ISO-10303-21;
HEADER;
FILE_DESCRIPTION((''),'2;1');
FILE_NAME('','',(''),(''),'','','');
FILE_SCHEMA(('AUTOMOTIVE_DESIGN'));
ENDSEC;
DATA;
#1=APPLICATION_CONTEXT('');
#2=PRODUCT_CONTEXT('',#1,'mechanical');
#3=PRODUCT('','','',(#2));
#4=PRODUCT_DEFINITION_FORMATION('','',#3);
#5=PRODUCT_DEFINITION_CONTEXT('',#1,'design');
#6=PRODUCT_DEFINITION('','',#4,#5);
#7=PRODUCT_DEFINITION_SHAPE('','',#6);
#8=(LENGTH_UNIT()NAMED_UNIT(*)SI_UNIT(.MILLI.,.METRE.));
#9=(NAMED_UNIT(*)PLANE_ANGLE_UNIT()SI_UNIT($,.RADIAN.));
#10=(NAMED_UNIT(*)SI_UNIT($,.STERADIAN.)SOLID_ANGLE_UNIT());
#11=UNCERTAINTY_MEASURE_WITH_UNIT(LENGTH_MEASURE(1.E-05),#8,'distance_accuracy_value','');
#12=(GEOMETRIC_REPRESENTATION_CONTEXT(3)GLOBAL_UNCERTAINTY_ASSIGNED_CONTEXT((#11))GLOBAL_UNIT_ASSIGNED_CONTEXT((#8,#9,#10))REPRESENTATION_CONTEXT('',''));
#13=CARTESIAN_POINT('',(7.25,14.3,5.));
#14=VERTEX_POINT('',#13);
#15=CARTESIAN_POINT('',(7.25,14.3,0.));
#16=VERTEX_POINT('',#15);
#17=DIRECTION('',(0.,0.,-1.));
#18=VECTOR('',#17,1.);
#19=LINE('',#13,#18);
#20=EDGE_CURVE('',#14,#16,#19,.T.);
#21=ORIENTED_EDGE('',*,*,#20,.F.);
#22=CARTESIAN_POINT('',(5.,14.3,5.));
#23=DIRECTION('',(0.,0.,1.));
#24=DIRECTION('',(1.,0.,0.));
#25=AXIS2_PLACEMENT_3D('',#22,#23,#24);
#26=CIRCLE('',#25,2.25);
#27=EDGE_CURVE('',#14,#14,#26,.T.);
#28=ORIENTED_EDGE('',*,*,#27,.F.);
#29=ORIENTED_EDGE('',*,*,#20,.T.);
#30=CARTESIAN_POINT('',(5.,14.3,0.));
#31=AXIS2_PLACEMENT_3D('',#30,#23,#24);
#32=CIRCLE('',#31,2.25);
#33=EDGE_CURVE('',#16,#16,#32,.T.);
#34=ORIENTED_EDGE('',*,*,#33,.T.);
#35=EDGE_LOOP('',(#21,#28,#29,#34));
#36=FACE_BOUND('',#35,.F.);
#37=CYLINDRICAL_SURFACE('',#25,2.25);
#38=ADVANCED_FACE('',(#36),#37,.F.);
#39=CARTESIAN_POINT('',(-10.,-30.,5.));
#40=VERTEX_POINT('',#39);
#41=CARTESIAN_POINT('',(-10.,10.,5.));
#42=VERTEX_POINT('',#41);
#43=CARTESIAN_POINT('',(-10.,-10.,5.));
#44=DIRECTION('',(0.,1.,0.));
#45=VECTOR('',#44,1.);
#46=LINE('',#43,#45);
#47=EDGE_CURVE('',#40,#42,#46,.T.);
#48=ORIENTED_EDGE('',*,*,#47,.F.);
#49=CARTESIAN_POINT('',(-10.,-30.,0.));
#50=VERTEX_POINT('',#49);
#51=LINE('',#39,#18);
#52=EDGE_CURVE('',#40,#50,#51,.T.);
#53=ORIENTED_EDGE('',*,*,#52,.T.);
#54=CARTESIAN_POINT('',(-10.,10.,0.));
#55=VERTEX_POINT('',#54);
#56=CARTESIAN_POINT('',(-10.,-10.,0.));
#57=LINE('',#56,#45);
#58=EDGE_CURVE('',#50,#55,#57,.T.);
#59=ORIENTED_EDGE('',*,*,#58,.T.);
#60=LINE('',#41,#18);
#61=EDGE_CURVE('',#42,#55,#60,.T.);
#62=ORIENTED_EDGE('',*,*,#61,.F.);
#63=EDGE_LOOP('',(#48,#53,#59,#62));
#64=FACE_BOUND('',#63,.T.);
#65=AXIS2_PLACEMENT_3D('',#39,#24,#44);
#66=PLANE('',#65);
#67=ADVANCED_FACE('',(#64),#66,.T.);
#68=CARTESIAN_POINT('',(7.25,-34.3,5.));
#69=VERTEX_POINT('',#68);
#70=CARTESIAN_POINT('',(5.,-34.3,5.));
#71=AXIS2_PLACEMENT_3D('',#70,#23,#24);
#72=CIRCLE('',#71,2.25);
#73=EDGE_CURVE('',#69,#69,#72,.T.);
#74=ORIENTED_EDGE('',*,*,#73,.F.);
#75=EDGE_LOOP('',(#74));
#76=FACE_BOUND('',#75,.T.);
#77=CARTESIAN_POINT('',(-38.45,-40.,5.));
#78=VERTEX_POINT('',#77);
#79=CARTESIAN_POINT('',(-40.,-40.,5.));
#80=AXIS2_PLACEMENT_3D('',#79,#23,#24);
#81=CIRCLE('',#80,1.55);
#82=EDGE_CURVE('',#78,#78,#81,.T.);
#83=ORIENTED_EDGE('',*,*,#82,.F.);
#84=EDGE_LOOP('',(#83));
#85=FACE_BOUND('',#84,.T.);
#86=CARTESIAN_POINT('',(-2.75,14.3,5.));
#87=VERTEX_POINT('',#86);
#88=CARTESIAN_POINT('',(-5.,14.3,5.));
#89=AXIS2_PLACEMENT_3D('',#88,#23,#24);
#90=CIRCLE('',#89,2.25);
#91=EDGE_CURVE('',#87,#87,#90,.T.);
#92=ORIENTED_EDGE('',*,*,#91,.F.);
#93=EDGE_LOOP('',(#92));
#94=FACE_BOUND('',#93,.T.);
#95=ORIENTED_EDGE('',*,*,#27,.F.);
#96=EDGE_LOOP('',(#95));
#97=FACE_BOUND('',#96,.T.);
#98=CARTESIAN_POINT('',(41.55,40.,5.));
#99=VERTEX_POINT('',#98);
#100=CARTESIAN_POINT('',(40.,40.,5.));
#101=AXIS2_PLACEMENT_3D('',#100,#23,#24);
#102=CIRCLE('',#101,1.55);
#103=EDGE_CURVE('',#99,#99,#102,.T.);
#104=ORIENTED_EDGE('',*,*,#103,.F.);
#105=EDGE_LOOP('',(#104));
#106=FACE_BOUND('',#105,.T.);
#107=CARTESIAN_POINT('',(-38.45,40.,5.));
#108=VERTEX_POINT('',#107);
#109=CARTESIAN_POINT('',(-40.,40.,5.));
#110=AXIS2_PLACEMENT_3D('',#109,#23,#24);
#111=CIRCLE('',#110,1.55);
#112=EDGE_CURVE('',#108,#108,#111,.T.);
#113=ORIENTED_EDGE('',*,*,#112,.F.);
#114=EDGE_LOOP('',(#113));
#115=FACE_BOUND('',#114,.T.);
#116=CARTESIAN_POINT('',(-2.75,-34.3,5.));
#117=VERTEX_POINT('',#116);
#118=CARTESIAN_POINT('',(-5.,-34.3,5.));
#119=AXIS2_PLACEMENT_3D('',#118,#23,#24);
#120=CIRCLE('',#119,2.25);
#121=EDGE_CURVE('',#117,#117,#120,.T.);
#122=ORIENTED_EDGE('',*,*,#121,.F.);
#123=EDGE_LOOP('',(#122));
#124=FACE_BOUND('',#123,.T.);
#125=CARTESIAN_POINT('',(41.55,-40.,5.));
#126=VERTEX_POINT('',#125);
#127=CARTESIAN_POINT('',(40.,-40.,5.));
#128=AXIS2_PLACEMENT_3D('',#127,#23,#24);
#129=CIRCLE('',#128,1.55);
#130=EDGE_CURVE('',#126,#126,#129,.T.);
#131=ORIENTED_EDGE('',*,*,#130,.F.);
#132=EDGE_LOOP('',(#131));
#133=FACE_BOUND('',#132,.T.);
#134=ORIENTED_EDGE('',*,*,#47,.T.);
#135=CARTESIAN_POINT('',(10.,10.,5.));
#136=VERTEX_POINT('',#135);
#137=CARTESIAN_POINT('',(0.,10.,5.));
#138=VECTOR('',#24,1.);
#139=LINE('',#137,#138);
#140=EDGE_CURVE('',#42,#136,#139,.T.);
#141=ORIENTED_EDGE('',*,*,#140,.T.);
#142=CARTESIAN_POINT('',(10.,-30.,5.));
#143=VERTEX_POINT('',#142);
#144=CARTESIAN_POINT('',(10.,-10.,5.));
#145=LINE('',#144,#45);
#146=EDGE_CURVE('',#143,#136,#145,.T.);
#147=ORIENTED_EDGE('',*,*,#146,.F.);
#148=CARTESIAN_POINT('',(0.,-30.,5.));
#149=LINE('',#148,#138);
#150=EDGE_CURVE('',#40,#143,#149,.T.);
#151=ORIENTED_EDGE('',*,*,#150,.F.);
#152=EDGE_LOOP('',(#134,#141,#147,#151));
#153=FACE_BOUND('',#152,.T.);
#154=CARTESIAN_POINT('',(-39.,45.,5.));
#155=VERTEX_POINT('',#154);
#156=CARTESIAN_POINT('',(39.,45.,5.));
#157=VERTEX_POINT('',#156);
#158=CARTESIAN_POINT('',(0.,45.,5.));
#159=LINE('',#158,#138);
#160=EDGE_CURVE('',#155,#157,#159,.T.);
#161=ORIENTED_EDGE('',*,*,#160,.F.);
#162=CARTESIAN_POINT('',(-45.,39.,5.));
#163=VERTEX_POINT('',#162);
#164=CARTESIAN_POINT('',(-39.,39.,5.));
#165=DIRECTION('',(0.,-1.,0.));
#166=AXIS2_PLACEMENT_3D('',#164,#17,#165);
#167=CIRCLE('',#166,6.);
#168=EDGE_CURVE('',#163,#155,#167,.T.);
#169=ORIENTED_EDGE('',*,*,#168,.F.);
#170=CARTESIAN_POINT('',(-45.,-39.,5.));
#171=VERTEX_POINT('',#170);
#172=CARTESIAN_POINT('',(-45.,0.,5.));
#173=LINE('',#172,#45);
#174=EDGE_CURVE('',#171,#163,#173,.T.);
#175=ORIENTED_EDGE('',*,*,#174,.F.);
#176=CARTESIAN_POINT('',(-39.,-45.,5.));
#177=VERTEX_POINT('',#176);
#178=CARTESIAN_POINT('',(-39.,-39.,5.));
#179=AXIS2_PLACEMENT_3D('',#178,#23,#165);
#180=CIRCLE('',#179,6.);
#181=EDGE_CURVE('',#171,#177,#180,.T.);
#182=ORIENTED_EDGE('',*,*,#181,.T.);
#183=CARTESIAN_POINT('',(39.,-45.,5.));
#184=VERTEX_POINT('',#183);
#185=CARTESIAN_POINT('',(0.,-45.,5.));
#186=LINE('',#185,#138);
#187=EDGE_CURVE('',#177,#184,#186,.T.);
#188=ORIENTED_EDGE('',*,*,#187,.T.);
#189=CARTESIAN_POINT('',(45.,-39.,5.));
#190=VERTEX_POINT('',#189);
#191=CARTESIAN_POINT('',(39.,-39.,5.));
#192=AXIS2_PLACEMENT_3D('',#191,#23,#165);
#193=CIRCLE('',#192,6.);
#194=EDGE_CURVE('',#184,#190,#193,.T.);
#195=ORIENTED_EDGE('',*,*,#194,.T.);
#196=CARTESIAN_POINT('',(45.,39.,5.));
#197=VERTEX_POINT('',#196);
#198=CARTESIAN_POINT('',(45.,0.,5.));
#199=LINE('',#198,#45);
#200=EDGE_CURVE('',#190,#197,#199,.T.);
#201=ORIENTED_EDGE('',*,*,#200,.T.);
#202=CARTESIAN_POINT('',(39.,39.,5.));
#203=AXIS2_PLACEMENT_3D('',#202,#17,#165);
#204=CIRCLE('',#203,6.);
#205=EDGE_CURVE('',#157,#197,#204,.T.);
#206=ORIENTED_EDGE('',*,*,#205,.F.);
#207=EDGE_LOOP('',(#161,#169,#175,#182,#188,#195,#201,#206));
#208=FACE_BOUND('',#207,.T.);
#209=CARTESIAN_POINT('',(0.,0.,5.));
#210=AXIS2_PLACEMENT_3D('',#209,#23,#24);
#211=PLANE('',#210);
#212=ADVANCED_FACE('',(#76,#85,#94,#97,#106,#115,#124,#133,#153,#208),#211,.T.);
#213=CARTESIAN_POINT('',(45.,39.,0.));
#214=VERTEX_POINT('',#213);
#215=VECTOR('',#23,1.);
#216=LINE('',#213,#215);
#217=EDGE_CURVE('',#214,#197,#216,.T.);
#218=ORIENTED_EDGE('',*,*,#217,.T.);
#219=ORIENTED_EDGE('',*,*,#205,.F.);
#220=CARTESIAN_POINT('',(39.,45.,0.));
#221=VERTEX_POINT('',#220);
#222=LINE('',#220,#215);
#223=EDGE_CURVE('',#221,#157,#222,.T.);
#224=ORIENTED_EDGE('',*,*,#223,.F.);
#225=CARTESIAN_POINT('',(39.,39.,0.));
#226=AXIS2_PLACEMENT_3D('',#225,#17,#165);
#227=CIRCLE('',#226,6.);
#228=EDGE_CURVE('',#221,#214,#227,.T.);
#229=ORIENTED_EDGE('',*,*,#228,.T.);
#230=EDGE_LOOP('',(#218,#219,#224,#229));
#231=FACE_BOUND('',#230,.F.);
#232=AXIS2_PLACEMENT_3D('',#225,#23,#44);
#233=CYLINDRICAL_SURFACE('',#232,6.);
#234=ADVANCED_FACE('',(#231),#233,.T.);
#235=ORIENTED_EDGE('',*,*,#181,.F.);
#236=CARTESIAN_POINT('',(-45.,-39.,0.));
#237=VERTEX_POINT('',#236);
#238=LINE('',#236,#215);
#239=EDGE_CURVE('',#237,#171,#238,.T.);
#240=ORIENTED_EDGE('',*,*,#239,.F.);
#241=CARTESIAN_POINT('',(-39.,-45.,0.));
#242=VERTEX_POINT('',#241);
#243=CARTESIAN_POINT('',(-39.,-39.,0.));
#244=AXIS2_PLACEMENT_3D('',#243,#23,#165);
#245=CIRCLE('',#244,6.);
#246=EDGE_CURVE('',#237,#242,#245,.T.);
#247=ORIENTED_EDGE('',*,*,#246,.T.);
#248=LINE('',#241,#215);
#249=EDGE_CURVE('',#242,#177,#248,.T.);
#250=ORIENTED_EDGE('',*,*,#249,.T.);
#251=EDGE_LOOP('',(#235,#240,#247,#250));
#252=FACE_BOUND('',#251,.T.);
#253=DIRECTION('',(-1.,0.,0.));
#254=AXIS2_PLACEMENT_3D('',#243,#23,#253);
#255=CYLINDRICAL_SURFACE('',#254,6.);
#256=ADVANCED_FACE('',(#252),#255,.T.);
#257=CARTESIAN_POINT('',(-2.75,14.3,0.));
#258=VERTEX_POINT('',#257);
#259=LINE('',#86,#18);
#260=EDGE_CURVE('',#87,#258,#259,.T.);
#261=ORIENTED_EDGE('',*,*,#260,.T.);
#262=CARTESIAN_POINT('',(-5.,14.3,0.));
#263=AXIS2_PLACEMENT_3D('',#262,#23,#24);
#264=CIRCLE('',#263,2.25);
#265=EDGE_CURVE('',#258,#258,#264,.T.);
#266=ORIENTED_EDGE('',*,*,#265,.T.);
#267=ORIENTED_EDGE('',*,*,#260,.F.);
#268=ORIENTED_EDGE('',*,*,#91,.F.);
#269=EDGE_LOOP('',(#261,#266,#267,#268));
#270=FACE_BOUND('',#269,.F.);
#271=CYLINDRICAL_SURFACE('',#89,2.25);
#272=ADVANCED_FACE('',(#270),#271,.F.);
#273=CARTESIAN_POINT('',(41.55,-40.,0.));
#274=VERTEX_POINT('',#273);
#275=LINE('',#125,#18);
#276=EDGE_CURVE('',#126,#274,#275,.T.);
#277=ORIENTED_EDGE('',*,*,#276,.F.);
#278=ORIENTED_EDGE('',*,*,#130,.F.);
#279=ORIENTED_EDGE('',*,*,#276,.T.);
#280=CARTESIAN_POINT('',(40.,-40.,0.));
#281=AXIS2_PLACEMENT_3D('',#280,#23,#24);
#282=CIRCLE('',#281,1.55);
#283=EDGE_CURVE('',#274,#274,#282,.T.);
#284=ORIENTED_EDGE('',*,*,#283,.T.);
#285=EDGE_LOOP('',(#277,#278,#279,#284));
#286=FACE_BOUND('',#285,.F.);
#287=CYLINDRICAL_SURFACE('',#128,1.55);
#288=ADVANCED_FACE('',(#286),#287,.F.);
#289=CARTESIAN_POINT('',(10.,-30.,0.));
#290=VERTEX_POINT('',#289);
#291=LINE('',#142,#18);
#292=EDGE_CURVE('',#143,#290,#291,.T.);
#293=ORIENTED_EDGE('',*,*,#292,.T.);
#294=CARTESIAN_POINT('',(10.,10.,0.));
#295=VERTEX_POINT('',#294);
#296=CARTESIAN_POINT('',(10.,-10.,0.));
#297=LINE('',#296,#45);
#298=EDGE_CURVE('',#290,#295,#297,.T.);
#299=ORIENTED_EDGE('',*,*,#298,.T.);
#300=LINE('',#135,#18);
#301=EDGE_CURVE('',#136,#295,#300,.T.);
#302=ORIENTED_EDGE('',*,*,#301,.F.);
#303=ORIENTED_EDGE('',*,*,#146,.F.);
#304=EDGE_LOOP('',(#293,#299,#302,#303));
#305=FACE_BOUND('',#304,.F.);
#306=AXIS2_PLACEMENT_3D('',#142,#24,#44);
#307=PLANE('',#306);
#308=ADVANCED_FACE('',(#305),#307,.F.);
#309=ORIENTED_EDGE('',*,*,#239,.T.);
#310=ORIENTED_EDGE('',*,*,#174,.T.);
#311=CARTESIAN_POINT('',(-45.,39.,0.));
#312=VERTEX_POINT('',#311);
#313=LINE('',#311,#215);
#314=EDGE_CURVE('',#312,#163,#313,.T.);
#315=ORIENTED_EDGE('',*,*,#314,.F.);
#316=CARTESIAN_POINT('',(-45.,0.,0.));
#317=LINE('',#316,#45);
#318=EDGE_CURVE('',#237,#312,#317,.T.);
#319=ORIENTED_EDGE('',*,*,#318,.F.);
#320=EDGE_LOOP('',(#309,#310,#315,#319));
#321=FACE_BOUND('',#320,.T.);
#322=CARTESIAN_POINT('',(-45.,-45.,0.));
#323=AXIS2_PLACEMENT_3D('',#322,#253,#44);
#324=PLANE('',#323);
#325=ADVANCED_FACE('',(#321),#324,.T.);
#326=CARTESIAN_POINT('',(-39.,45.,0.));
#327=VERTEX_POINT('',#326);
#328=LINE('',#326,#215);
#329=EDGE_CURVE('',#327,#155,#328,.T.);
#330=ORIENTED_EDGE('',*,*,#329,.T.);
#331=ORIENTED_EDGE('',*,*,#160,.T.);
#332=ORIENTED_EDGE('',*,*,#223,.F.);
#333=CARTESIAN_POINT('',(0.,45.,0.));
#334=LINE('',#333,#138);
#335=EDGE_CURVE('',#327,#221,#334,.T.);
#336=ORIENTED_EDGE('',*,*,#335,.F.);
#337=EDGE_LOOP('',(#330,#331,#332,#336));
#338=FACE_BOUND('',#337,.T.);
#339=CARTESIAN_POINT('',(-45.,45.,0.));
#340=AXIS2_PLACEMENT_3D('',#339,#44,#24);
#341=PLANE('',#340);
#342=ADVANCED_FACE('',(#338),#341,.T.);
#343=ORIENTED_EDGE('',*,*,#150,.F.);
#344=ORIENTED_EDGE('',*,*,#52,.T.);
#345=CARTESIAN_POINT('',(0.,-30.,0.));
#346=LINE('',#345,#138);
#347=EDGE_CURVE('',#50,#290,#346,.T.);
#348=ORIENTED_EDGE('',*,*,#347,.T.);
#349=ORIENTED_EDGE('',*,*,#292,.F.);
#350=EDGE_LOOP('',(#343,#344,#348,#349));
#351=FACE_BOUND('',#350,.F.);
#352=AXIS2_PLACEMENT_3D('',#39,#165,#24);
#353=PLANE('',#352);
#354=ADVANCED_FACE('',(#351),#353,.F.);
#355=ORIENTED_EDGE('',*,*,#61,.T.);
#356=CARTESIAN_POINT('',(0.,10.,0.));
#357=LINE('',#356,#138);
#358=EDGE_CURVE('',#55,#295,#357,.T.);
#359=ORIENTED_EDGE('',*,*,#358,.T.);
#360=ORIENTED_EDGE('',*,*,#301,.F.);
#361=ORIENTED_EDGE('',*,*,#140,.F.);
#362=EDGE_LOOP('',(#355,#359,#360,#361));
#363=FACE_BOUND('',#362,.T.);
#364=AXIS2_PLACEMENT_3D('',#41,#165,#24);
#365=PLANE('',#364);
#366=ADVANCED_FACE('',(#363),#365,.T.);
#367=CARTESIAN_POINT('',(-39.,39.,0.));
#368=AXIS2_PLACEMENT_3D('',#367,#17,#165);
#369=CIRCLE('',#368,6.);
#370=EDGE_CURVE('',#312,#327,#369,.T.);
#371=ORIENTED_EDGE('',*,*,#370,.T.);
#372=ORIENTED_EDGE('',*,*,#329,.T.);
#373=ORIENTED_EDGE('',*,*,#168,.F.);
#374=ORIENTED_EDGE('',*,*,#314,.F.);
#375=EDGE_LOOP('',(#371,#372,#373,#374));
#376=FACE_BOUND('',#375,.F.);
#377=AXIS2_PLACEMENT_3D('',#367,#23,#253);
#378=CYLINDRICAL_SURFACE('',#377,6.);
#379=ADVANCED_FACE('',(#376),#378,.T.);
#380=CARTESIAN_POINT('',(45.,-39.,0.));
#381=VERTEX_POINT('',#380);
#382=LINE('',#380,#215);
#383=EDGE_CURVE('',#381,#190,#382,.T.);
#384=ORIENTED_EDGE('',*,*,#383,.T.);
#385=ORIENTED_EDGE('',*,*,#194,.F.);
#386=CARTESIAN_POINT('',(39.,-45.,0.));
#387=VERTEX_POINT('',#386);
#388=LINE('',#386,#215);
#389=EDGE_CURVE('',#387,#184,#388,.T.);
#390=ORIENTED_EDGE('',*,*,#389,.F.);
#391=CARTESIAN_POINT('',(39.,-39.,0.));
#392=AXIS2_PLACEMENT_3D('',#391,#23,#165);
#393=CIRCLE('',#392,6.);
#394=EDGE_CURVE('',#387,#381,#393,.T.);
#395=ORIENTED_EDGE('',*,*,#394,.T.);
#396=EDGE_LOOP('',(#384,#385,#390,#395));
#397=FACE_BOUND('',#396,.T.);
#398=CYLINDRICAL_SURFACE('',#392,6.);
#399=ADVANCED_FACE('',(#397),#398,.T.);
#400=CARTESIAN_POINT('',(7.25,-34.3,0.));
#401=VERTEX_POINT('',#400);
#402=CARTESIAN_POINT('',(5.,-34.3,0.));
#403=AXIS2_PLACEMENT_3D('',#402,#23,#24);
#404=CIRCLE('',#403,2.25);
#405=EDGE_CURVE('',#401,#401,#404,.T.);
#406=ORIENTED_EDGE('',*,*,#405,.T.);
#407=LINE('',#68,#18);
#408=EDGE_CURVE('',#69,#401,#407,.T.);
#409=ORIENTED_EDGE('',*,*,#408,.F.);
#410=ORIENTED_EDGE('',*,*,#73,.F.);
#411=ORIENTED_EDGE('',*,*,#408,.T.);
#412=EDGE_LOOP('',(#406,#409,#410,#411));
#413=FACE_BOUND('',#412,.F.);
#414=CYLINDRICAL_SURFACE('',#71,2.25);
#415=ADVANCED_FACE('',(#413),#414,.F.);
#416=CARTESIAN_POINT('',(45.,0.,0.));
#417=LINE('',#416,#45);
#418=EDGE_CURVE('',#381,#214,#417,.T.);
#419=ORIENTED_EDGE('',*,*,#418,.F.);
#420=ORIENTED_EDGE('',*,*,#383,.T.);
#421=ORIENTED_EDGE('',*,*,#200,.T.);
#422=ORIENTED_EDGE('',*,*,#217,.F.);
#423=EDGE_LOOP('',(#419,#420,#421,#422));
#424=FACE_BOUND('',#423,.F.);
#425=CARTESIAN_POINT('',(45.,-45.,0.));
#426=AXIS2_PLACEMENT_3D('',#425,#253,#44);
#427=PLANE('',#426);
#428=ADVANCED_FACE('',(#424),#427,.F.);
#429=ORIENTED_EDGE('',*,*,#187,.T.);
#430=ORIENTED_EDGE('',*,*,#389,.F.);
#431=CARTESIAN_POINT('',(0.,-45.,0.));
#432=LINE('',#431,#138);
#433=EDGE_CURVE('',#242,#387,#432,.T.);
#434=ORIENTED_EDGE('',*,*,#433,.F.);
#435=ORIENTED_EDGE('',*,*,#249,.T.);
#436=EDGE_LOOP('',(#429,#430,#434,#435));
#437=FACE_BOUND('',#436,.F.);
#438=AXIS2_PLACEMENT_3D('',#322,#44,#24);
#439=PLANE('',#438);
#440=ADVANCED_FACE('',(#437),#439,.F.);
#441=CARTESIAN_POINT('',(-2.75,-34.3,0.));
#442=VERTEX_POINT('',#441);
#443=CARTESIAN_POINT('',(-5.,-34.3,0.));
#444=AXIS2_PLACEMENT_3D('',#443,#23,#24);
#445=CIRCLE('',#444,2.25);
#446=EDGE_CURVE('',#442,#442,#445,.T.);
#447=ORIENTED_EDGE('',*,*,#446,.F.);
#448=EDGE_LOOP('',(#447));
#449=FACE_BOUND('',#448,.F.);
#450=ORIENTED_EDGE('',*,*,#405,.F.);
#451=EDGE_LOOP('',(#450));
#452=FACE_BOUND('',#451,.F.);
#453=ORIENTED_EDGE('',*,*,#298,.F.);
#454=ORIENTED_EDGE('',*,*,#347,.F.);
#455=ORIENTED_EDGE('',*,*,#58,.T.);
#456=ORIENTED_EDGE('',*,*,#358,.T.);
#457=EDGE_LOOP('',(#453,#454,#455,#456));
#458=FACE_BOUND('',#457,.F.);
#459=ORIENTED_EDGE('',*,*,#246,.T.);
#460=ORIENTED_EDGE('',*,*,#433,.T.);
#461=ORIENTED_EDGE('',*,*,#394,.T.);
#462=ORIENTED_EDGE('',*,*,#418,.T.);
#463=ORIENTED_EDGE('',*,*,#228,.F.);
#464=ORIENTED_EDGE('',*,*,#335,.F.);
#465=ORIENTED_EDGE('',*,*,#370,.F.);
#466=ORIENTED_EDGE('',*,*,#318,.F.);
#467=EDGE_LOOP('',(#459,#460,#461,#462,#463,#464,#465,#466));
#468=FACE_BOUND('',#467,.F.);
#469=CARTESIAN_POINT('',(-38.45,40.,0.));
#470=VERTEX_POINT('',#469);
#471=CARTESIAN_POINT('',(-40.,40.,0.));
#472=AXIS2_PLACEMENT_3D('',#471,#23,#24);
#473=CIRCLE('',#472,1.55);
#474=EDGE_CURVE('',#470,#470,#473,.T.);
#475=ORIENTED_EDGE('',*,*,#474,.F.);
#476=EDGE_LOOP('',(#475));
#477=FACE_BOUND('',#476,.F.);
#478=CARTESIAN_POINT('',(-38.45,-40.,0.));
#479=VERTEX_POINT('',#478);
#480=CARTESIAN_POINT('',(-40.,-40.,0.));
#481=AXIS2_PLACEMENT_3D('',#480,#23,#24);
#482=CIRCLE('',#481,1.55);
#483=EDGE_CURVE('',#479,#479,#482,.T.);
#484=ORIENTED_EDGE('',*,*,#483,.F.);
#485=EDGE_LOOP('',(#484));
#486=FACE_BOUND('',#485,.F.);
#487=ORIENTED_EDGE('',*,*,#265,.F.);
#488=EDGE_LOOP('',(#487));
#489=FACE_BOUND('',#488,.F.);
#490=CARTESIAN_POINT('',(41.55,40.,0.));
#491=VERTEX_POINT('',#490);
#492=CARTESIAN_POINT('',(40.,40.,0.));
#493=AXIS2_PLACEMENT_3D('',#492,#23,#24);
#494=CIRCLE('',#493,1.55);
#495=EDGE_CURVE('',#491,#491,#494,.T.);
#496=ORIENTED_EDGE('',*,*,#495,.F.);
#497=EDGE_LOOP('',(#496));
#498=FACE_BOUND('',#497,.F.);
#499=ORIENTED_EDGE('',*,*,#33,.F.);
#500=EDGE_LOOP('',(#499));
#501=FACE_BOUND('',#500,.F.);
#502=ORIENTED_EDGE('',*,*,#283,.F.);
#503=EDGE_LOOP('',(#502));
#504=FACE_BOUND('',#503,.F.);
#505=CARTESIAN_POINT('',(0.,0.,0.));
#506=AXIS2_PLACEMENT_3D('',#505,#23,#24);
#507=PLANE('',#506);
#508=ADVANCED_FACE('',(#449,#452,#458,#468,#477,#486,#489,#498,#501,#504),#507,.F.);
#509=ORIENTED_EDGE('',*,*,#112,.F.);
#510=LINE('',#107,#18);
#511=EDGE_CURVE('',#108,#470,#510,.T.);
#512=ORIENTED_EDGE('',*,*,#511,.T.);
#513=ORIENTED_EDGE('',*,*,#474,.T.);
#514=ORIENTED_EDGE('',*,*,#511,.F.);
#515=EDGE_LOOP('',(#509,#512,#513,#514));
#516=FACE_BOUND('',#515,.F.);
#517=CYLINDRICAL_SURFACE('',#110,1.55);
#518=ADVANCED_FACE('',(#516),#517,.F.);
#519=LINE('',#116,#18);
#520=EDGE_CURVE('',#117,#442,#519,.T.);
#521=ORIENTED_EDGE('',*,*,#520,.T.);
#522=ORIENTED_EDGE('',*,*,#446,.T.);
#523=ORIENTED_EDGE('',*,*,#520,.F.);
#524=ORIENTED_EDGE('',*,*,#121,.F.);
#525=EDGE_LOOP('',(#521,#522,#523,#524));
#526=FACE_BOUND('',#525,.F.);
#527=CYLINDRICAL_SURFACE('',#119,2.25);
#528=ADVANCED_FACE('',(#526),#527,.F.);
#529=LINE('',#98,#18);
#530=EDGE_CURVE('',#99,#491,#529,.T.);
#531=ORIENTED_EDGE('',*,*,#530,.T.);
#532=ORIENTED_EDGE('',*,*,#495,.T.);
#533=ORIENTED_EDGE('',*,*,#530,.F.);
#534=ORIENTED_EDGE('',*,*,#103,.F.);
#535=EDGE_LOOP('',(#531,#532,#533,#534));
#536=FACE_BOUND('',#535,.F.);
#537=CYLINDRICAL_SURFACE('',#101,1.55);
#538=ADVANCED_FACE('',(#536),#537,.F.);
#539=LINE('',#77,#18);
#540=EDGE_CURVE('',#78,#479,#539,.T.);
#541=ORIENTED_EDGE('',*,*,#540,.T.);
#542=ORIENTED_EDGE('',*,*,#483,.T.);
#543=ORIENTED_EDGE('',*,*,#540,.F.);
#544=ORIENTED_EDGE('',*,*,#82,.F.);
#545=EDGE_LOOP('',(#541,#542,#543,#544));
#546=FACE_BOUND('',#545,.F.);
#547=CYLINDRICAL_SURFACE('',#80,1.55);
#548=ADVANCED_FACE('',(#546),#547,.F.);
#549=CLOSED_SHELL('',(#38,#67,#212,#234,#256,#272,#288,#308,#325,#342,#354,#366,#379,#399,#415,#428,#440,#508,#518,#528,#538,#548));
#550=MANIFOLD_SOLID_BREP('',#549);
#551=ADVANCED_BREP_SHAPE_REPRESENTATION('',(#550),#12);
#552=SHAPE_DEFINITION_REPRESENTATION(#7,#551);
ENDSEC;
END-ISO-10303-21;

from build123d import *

# Parameters (mm, degrees)
SKETCH_W        = 90
SKETCH_H        = 90
PAD_DEPTH       = 5
SKETCH001_R     = 1.55
POCKET_DEPTH    = 5
FILLET_R        = 6
SKETCH002_W     = 20
SKETCH002_H     = 40
POCKET001_DEPTH = 5
SKETCH003_R     = 2.25
POCKET002_DEPTH = 5


with BuildPart() as part:
    # Sketch → Pad (new body)
    with BuildSketch(Plane.XY):
        Rectangle(SKETCH_W, SKETCH_H)
    extrude(amount=PAD_DEPTH)

    # Sketch001 (on Face6 of Pad) → Pocket (cut)
    with BuildSketch(Plane.XY.offset(5)):
        with Locations((-40, 40)):
            Circle(SKETCH001_R)
        with Locations((40, 40)):
            Circle(SKETCH001_R)
        with Locations((40, -40)):
            Circle(SKETCH001_R)
        with Locations((-40, -40)):
            Circle(SKETCH001_R)
    extrude(amount=-POCKET_DEPTH, mode=Mode.SUBTRACT)

    # Fillet
    fillet_edges = [part.edges().sort_by_distance(p)[0] for p in [
        (-45, -45, 2.5),
        (45, -45, 2.5),
        (45, 45, 2.5),
        (-45, 45, 2.5),
    ]]
    fillet(fillet_edges, radius=FILLET_R)

    # Sketch002 (on Face5 of Fillet) → Pocket001 (cut)
    with BuildSketch(Plane.XY.offset(5)):
        with Locations((0, -10)):
            Rectangle(SKETCH002_W, SKETCH002_H)
    extrude(amount=-POCKET001_DEPTH, mode=Mode.SUBTRACT)

    # Sketch003 (on Face5 of Pocket001) → Pocket002 (cut)
    with BuildSketch(Plane.XY.offset(5)):
        with Locations((-5, 14.3)):
            Circle(SKETCH003_R)
        with Locations((5, 14.3)):
            Circle(SKETCH003_R)
        with Locations((-5, -34.3)):
            Circle(SKETCH003_R)
        with Locations((5, -34.3)):
            Circle(SKETCH003_R)
    extrude(amount=-POCKET002_DEPTH, mode=Mode.SUBTRACT)


solid = part.part
